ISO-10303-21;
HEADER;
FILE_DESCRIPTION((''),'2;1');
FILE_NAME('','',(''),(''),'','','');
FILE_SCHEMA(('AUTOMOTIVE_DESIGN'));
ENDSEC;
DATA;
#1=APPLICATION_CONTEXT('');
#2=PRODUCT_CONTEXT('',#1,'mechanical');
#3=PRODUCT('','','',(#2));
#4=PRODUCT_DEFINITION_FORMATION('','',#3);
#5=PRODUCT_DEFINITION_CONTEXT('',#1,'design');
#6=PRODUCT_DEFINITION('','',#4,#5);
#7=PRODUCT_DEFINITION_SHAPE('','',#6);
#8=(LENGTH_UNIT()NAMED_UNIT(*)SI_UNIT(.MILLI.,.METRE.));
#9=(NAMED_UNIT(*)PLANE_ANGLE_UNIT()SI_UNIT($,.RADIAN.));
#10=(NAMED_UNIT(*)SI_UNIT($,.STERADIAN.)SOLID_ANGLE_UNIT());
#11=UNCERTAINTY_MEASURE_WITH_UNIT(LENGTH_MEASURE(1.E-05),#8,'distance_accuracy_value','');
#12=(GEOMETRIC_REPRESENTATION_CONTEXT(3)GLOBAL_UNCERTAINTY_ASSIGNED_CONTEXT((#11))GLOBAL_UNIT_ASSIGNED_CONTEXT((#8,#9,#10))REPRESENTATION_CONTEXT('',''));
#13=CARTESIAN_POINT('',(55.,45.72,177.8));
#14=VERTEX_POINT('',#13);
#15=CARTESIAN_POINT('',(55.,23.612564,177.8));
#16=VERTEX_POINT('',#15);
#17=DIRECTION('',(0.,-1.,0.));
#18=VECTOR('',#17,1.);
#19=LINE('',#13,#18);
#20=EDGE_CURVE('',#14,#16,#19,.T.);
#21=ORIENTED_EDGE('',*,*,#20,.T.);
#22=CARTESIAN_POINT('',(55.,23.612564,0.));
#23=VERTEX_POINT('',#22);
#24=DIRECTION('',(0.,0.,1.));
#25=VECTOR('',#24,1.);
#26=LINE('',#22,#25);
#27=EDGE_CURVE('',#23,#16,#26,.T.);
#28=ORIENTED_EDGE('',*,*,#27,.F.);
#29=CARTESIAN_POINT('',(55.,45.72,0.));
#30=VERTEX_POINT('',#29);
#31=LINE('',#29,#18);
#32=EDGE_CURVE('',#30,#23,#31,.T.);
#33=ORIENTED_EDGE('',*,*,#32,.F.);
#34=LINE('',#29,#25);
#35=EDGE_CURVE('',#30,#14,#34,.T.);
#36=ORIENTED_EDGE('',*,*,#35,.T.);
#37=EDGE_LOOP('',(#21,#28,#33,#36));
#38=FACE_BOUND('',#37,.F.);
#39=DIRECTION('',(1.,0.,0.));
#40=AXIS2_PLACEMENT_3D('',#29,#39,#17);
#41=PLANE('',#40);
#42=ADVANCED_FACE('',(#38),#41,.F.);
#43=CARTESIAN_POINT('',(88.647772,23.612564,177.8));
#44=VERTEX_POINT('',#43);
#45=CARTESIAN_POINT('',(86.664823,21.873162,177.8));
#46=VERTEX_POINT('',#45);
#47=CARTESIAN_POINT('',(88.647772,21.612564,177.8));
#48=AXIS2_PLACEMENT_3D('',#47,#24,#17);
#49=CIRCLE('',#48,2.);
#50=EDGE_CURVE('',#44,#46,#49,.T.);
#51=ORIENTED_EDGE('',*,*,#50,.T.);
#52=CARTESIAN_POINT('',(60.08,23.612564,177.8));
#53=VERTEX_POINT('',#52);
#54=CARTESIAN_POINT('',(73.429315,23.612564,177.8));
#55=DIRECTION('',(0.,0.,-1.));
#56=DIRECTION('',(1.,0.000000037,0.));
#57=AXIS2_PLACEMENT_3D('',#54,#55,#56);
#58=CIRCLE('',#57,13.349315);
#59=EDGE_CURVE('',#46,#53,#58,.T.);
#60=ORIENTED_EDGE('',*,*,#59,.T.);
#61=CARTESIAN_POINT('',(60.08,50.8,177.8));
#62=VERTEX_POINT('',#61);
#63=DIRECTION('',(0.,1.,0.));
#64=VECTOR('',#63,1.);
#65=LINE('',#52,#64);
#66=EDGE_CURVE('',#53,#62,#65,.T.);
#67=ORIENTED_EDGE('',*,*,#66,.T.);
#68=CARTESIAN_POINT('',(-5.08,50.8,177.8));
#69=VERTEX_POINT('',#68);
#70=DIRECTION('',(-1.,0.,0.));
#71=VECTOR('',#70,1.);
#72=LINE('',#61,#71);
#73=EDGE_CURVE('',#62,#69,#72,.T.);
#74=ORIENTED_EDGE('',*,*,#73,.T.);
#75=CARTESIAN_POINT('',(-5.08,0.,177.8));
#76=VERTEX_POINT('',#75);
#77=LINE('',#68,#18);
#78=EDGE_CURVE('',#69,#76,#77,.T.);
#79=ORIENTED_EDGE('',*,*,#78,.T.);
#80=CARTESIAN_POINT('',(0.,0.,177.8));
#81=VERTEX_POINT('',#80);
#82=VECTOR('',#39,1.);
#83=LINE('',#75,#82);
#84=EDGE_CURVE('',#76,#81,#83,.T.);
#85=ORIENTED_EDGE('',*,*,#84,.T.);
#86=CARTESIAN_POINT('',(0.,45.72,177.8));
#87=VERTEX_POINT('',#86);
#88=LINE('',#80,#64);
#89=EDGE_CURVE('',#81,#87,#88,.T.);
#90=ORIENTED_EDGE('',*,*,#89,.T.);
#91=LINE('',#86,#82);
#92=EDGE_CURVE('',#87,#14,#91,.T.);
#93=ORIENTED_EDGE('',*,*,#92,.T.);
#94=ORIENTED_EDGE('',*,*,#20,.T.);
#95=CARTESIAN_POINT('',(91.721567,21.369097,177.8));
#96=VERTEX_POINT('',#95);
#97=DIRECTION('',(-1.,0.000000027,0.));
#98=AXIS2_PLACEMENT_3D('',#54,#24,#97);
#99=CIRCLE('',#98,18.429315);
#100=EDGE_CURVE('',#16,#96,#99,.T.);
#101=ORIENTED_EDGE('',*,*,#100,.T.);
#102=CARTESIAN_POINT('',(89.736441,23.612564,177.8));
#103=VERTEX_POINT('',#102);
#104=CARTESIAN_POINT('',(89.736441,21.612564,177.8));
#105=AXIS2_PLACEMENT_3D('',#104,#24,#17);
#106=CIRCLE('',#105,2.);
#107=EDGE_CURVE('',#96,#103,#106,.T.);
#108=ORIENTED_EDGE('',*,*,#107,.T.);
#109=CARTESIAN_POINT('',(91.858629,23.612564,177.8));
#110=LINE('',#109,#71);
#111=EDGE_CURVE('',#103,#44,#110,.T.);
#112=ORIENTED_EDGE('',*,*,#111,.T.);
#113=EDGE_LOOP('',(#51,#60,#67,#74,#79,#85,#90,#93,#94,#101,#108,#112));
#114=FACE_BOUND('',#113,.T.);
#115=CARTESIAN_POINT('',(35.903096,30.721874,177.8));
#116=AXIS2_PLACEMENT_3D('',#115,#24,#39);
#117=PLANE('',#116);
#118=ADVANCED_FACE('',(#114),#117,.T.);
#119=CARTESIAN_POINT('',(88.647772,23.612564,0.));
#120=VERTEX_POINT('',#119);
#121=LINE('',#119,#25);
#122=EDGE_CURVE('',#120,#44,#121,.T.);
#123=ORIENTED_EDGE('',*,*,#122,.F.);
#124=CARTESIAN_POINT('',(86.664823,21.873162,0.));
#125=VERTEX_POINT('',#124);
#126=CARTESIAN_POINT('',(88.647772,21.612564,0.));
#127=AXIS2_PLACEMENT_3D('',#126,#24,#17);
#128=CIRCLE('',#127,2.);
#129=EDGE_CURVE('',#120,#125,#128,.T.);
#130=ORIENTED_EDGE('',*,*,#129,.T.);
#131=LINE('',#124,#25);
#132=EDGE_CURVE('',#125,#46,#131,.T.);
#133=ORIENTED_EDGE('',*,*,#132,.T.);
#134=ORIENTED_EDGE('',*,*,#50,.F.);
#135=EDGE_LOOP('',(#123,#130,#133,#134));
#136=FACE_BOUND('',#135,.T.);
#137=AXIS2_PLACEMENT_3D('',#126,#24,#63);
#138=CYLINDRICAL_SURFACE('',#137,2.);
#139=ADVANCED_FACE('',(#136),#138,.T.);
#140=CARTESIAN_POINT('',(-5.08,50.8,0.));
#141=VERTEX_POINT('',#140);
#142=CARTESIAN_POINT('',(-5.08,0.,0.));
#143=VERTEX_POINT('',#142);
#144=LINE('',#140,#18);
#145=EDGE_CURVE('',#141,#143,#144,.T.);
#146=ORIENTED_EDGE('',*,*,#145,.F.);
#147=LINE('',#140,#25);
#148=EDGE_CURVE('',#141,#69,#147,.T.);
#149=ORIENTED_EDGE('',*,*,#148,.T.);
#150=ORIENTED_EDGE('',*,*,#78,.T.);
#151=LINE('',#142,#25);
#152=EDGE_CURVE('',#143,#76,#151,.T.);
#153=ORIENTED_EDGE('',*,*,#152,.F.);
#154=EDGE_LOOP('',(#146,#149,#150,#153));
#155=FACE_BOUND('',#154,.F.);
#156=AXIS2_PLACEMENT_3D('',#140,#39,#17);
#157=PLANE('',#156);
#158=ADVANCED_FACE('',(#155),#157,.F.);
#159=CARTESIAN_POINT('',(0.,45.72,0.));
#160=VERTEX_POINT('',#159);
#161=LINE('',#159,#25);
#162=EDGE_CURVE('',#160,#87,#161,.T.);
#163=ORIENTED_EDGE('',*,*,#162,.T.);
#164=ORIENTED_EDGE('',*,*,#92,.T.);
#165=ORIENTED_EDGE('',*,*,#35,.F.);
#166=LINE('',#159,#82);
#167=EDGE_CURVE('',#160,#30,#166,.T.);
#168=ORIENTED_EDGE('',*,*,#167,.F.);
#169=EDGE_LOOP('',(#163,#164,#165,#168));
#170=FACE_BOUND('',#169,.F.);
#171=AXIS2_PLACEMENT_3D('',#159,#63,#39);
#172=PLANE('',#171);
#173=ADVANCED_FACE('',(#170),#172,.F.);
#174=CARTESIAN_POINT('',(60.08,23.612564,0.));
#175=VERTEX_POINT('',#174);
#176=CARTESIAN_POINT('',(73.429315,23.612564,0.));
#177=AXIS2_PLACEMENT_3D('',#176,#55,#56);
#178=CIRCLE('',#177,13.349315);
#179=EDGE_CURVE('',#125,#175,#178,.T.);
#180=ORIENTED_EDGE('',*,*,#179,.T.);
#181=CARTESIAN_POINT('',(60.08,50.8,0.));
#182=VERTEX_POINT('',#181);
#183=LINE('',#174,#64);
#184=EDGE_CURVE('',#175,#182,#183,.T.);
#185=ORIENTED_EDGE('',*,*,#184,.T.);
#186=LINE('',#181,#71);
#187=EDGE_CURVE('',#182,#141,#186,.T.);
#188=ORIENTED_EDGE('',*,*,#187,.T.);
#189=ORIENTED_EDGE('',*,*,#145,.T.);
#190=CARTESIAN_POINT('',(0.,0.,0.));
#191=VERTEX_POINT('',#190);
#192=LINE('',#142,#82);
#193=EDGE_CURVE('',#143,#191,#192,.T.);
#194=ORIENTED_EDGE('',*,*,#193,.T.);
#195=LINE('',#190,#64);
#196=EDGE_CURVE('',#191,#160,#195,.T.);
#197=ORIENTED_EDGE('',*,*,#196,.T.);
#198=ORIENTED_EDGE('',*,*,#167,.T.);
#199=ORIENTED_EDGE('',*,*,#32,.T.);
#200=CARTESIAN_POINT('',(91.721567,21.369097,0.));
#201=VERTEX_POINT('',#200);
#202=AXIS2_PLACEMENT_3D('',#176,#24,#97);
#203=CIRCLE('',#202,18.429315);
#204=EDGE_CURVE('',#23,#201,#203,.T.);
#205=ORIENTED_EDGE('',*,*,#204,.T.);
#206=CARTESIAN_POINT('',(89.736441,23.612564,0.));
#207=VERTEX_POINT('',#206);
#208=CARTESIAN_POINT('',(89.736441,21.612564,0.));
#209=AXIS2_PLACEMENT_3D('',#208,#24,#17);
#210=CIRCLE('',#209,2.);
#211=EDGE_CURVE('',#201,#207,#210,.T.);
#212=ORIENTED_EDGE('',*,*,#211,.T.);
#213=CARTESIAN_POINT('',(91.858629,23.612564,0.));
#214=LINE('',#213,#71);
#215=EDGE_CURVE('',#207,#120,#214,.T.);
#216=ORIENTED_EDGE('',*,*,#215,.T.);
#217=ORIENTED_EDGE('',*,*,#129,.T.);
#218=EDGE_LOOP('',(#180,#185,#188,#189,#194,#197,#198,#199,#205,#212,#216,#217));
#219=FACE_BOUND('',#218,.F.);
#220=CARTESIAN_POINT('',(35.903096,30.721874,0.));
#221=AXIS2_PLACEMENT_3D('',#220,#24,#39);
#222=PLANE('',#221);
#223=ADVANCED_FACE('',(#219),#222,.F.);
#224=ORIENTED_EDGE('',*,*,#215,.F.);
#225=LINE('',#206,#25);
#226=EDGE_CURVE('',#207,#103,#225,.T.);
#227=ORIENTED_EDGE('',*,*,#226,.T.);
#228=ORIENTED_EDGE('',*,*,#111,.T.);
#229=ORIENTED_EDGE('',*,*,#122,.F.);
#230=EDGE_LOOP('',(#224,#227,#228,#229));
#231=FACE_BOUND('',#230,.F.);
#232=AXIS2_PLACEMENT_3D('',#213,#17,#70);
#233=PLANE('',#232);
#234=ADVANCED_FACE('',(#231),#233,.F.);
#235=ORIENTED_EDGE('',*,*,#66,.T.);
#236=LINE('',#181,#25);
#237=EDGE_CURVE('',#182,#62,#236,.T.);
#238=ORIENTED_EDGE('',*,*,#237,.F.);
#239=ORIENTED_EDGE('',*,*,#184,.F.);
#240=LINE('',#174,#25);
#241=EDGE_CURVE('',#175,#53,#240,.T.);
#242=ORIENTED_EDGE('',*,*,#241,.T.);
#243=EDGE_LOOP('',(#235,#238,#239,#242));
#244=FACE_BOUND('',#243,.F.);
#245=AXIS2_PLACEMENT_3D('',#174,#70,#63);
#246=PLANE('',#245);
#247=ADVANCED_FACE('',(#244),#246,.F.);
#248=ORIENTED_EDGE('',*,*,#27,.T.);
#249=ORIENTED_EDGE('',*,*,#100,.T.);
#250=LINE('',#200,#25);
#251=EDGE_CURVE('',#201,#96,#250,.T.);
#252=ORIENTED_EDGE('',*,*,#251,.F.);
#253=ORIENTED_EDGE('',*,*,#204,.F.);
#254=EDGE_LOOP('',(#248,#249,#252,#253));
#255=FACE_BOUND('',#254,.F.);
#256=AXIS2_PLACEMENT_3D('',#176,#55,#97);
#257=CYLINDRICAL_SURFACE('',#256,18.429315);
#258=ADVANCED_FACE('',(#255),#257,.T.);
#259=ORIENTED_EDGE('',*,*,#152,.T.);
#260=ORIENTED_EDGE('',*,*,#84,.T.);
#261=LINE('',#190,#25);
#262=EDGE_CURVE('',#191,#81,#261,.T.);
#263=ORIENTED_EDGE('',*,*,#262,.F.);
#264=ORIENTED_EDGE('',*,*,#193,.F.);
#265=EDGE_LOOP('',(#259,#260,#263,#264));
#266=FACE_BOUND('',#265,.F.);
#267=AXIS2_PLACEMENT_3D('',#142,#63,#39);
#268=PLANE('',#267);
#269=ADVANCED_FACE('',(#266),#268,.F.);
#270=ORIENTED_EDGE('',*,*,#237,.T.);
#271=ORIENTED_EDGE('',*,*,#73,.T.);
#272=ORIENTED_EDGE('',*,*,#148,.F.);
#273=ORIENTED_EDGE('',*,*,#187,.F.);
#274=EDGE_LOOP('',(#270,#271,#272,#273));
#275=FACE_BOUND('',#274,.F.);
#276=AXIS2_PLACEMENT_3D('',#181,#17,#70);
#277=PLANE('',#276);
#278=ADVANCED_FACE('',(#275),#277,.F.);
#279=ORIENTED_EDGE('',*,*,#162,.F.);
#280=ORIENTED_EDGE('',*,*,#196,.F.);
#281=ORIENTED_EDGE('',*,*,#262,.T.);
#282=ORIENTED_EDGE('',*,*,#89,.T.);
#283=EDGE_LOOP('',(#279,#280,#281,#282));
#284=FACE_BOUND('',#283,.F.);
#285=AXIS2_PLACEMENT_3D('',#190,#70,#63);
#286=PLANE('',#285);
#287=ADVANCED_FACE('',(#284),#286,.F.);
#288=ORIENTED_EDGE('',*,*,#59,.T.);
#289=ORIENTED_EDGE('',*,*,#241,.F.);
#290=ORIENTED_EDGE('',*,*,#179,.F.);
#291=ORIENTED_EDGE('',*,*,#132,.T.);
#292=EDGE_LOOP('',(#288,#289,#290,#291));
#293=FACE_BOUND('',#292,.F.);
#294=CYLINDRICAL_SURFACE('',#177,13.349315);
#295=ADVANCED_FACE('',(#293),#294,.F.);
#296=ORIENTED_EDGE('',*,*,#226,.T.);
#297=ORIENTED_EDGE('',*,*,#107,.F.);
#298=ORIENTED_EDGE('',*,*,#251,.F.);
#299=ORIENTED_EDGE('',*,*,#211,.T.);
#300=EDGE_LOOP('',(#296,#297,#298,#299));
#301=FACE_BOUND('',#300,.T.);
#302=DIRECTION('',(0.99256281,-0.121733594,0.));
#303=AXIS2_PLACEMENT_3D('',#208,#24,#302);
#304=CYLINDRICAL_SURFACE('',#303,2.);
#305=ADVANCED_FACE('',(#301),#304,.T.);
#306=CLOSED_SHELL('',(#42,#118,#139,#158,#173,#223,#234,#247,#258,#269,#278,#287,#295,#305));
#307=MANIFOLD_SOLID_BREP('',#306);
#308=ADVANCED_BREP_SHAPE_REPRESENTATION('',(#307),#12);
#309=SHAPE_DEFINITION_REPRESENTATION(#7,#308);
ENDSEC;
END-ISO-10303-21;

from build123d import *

# Parameters (mm, degrees)
F1_DEPTH = 177.8
F2_R     = 2


with BuildPart() as f1:
    # F0 (on Top) → F1 (new body)
    with BuildSketch(Plane.XY):
        with BuildLine():
            Line((-5.08, 0), (0, 0))
            Line((0, 0), (0, 45.72))
            Line((0, 45.72), (55, 45.72))
            Line((55, 45.72), (55, 23.612564))
            ThreePointArc((55, 23.612564), (73.429315, 5.183249), (91.858629, 23.612564))
            Line((91.858629, 23.612564), (86.778629, 23.612564))
            ThreePointArc((86.778629, 23.612564), (73.429315, 10.263249), (60.08, 23.612564))
            Line((60.08, 23.612564), (60.08, 50.8))
            Line((60.08, 50.8), (-5.08, 50.8))
            Line((-5.08, 50.8), (-5.08, 0))
        make_face()
    extrude(amount=F1_DEPTH)

    # F2
    f2_edges = [f1.edges().sort_by_distance(p)[0] for p in [
        (86.778629, 23.612564, 88.9),
        (91.858629, 23.612564, 88.9),
    ]]
    fillet(f2_edges, radius=F2_R)


solid = f1.part
